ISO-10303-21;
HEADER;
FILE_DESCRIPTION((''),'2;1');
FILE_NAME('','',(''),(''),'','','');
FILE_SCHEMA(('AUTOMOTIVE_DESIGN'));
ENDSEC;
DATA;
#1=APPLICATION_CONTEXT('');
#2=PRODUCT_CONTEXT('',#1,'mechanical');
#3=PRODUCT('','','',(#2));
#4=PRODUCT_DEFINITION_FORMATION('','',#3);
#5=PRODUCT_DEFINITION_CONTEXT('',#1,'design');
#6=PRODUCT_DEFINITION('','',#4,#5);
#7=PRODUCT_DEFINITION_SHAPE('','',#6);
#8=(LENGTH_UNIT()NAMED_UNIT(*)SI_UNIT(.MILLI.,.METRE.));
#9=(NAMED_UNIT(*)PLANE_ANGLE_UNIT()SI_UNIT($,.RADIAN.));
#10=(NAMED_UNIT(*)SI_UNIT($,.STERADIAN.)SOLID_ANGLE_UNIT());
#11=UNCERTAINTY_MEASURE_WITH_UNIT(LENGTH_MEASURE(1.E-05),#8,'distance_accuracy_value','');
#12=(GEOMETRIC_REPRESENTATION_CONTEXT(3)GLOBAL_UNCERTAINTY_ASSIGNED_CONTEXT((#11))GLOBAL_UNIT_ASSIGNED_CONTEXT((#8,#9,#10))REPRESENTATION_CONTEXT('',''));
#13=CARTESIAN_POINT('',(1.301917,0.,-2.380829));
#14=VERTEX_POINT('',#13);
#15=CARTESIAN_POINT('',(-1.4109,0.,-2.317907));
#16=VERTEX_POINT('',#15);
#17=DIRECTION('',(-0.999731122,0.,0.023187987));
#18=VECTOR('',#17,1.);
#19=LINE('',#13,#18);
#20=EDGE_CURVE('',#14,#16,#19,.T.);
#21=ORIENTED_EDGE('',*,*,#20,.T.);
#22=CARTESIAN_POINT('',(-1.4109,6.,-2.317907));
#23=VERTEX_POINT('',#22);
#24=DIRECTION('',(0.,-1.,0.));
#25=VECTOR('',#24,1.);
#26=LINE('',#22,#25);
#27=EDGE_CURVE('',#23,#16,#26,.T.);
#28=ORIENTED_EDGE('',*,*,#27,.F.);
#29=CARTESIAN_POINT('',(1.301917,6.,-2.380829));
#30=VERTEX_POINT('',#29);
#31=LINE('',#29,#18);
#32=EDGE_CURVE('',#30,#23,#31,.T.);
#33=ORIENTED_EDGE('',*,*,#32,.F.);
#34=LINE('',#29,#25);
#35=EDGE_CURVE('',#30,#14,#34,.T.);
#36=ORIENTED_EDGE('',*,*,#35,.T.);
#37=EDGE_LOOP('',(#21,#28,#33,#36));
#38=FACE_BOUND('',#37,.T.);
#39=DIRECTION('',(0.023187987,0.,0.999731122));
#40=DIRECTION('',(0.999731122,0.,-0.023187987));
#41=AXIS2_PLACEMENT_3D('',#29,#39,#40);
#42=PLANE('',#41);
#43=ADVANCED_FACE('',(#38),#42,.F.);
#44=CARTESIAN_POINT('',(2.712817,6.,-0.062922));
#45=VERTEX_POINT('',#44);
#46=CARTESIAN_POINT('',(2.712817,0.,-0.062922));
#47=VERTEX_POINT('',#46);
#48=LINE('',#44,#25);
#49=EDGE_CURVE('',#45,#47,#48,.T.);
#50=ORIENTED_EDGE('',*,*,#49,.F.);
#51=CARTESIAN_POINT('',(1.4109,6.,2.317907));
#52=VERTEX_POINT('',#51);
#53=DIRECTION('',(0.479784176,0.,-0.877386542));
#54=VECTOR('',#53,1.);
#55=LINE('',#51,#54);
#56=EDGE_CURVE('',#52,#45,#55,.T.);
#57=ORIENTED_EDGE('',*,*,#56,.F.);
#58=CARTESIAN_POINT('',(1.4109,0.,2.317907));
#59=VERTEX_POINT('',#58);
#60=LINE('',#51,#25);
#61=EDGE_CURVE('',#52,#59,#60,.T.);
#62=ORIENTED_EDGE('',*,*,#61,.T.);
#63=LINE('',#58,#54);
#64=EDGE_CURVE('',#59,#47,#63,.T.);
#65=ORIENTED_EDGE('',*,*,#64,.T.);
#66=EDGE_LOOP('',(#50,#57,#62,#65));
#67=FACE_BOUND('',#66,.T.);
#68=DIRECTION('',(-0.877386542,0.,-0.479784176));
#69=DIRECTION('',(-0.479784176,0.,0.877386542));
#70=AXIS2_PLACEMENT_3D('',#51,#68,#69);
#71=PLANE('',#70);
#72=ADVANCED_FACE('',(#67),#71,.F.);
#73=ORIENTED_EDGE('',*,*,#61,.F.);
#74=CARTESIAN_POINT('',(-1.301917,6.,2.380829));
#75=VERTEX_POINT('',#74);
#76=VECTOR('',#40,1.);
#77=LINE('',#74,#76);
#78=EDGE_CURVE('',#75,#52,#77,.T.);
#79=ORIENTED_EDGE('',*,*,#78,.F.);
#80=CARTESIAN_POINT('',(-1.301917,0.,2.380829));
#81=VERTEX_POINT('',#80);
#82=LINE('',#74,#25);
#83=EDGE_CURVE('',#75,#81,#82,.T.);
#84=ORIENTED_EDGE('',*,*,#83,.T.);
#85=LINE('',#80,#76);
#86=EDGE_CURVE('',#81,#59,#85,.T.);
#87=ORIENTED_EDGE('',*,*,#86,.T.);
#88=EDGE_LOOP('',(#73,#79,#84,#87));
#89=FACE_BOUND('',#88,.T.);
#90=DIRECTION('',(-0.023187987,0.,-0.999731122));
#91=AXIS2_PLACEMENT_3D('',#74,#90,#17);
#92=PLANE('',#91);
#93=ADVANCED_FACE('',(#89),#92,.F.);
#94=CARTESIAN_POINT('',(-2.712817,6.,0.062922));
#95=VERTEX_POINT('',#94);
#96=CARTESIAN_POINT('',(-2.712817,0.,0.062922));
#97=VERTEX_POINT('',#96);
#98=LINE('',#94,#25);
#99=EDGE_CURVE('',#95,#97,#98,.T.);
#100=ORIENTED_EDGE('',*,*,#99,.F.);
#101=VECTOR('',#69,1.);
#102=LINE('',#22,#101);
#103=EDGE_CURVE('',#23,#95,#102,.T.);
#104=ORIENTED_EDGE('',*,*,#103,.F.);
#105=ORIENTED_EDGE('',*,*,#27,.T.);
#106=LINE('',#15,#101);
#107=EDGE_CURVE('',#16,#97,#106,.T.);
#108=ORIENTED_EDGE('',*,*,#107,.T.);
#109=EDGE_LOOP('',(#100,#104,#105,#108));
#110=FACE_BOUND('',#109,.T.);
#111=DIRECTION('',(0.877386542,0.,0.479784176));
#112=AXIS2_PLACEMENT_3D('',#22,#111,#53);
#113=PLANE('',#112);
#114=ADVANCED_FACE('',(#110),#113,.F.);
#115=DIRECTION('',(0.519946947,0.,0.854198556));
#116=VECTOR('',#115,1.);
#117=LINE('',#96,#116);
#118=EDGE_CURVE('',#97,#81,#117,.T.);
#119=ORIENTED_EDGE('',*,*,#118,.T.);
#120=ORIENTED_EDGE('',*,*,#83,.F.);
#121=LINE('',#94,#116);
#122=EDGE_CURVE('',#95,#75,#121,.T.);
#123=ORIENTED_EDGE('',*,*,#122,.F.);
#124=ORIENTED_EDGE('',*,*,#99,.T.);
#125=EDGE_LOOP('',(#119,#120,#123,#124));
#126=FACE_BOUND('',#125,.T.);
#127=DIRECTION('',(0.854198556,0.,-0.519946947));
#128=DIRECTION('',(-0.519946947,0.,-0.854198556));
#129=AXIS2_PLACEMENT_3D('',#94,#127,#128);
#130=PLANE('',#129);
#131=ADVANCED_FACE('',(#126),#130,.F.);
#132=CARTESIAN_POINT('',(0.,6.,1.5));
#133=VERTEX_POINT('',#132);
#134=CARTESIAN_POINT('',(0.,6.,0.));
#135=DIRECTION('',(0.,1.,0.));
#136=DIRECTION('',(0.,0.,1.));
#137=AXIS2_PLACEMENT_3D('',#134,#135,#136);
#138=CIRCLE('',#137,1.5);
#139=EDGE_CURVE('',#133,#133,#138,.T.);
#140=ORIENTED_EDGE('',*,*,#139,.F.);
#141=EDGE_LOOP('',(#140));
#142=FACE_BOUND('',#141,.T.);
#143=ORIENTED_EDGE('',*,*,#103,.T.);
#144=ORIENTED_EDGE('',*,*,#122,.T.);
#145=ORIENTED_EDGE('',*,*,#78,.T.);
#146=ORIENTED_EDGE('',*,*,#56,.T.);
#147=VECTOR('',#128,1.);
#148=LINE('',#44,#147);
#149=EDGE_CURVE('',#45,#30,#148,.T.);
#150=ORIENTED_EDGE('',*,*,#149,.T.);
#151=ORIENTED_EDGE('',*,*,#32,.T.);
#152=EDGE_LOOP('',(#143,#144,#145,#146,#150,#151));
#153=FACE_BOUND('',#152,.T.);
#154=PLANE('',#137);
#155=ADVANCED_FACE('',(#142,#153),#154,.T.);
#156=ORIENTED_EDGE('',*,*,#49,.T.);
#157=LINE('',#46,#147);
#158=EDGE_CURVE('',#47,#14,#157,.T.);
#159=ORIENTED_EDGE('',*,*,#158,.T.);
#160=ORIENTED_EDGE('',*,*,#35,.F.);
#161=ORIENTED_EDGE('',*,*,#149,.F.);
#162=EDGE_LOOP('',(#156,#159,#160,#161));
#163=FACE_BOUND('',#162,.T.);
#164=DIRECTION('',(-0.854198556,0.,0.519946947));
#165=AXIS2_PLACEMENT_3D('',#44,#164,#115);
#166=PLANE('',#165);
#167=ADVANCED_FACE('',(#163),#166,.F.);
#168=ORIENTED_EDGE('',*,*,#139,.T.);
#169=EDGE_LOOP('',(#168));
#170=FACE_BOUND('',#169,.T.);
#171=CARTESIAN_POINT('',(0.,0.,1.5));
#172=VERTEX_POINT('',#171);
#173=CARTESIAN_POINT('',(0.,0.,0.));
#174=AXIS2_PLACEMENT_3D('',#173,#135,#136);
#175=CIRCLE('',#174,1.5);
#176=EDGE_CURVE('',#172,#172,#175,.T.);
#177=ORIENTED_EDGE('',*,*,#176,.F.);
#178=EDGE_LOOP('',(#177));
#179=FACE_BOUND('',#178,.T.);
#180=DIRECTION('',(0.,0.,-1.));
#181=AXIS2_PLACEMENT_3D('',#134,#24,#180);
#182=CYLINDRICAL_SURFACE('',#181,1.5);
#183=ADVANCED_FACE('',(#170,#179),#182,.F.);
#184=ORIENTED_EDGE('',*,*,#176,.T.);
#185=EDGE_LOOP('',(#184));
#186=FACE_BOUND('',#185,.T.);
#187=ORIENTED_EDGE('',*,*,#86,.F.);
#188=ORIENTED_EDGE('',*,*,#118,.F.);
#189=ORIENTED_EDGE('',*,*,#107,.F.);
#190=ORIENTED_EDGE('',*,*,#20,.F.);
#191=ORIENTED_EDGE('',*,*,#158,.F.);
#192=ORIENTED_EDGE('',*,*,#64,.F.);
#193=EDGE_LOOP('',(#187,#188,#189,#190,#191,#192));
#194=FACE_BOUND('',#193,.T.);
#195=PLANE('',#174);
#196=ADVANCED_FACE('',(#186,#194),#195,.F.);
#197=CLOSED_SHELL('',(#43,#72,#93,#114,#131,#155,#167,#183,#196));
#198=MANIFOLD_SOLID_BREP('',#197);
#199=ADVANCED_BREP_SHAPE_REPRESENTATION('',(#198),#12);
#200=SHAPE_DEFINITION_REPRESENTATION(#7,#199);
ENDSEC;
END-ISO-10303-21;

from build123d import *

# Parameters (mm, degrees)
SKETCH_1_R      = 1.5
EXTRUDE_1_DEPTH = 6


with BuildPart() as part:
    # 草图1 → 凸台-拉伸1 (new body)
    with BuildSketch(Plane(origin=(0, 0, 0), x_dir=(1, 0, 0), z_dir=(0, 1, 0))):
        Polygon((1.410900096, -2.3179073), (2.712816654, 0.062921675), (1.301916558, 2.380828975), (-1.410900096, 2.3179073), (-2.712816654, -0.062921675), (-1.301916558, -2.380828975), align=None)
        with Locations(Location((0, 0, 0), (0, 0, 270))):
            Circle(SKETCH_1_R, mode=Mode.SUBTRACT)
    extrude(amount=EXTRUDE_1_DEPTH)


solid = part.part
